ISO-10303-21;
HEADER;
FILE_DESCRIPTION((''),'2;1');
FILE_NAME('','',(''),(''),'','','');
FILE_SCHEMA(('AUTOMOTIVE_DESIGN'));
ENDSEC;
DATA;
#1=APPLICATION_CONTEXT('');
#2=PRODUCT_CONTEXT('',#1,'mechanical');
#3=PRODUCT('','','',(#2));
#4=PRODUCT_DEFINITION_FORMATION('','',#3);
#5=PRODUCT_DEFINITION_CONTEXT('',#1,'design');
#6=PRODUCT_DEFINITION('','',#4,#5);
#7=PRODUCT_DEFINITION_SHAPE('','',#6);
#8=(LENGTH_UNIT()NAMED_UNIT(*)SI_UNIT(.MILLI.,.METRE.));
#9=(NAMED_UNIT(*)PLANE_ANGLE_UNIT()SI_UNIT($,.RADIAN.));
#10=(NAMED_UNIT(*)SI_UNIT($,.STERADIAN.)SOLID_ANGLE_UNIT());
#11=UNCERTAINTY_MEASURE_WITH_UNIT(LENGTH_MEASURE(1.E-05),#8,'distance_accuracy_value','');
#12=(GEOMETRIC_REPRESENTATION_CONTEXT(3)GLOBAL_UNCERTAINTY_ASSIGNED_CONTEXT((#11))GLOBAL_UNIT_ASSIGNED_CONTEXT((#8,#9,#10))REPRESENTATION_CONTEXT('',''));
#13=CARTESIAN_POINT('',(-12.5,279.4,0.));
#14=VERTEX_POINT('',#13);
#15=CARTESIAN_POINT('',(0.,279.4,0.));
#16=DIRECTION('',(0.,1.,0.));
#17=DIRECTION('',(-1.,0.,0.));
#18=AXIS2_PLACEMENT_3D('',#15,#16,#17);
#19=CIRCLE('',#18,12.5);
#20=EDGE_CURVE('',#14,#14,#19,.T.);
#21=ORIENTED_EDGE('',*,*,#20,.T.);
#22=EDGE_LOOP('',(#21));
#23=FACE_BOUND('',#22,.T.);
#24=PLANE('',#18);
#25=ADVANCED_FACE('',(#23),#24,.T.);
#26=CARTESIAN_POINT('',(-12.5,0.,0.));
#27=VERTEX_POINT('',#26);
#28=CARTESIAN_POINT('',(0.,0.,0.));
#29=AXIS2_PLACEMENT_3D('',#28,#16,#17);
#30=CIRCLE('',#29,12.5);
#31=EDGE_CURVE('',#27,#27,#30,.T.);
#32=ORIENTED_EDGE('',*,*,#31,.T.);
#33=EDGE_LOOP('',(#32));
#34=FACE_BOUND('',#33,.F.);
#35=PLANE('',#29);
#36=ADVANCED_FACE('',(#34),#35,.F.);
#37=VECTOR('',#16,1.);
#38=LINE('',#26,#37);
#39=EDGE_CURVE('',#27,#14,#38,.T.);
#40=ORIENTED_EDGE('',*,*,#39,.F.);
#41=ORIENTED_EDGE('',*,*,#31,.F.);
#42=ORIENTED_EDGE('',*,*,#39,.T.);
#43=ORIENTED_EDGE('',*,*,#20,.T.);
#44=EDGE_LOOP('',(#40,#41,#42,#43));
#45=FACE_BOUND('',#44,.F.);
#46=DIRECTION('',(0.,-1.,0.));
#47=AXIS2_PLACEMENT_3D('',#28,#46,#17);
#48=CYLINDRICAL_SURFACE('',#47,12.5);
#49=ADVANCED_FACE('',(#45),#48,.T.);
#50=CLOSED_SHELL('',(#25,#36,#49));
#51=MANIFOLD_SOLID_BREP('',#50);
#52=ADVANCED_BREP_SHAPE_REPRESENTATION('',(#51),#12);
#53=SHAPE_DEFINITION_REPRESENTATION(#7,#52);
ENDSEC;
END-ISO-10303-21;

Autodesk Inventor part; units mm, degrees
ref_plane "YZ Plane" through (0, 0, 0) normal (1, 0, 0) x (0, 1, 0)
ref_plane "XZ Plane" through (0, 0, 0) normal (0, 1, 0) x (-1, 0, 0)
ref_plane "XY Plane" through (0, 0, 0) normal (0, 0, 1) x (1, 0, 0)
sketch "Sketch4" plane through (0, 0, 0) normal (0, 1, 0) x (-1, 0, 0)
  circle A0 centre (0, 0) radius 12.5
  dimension "d22" = 25
extrude "Extrusion4" add sketch "Sketch4" along normal blind 279.4
properties part number "Post"
